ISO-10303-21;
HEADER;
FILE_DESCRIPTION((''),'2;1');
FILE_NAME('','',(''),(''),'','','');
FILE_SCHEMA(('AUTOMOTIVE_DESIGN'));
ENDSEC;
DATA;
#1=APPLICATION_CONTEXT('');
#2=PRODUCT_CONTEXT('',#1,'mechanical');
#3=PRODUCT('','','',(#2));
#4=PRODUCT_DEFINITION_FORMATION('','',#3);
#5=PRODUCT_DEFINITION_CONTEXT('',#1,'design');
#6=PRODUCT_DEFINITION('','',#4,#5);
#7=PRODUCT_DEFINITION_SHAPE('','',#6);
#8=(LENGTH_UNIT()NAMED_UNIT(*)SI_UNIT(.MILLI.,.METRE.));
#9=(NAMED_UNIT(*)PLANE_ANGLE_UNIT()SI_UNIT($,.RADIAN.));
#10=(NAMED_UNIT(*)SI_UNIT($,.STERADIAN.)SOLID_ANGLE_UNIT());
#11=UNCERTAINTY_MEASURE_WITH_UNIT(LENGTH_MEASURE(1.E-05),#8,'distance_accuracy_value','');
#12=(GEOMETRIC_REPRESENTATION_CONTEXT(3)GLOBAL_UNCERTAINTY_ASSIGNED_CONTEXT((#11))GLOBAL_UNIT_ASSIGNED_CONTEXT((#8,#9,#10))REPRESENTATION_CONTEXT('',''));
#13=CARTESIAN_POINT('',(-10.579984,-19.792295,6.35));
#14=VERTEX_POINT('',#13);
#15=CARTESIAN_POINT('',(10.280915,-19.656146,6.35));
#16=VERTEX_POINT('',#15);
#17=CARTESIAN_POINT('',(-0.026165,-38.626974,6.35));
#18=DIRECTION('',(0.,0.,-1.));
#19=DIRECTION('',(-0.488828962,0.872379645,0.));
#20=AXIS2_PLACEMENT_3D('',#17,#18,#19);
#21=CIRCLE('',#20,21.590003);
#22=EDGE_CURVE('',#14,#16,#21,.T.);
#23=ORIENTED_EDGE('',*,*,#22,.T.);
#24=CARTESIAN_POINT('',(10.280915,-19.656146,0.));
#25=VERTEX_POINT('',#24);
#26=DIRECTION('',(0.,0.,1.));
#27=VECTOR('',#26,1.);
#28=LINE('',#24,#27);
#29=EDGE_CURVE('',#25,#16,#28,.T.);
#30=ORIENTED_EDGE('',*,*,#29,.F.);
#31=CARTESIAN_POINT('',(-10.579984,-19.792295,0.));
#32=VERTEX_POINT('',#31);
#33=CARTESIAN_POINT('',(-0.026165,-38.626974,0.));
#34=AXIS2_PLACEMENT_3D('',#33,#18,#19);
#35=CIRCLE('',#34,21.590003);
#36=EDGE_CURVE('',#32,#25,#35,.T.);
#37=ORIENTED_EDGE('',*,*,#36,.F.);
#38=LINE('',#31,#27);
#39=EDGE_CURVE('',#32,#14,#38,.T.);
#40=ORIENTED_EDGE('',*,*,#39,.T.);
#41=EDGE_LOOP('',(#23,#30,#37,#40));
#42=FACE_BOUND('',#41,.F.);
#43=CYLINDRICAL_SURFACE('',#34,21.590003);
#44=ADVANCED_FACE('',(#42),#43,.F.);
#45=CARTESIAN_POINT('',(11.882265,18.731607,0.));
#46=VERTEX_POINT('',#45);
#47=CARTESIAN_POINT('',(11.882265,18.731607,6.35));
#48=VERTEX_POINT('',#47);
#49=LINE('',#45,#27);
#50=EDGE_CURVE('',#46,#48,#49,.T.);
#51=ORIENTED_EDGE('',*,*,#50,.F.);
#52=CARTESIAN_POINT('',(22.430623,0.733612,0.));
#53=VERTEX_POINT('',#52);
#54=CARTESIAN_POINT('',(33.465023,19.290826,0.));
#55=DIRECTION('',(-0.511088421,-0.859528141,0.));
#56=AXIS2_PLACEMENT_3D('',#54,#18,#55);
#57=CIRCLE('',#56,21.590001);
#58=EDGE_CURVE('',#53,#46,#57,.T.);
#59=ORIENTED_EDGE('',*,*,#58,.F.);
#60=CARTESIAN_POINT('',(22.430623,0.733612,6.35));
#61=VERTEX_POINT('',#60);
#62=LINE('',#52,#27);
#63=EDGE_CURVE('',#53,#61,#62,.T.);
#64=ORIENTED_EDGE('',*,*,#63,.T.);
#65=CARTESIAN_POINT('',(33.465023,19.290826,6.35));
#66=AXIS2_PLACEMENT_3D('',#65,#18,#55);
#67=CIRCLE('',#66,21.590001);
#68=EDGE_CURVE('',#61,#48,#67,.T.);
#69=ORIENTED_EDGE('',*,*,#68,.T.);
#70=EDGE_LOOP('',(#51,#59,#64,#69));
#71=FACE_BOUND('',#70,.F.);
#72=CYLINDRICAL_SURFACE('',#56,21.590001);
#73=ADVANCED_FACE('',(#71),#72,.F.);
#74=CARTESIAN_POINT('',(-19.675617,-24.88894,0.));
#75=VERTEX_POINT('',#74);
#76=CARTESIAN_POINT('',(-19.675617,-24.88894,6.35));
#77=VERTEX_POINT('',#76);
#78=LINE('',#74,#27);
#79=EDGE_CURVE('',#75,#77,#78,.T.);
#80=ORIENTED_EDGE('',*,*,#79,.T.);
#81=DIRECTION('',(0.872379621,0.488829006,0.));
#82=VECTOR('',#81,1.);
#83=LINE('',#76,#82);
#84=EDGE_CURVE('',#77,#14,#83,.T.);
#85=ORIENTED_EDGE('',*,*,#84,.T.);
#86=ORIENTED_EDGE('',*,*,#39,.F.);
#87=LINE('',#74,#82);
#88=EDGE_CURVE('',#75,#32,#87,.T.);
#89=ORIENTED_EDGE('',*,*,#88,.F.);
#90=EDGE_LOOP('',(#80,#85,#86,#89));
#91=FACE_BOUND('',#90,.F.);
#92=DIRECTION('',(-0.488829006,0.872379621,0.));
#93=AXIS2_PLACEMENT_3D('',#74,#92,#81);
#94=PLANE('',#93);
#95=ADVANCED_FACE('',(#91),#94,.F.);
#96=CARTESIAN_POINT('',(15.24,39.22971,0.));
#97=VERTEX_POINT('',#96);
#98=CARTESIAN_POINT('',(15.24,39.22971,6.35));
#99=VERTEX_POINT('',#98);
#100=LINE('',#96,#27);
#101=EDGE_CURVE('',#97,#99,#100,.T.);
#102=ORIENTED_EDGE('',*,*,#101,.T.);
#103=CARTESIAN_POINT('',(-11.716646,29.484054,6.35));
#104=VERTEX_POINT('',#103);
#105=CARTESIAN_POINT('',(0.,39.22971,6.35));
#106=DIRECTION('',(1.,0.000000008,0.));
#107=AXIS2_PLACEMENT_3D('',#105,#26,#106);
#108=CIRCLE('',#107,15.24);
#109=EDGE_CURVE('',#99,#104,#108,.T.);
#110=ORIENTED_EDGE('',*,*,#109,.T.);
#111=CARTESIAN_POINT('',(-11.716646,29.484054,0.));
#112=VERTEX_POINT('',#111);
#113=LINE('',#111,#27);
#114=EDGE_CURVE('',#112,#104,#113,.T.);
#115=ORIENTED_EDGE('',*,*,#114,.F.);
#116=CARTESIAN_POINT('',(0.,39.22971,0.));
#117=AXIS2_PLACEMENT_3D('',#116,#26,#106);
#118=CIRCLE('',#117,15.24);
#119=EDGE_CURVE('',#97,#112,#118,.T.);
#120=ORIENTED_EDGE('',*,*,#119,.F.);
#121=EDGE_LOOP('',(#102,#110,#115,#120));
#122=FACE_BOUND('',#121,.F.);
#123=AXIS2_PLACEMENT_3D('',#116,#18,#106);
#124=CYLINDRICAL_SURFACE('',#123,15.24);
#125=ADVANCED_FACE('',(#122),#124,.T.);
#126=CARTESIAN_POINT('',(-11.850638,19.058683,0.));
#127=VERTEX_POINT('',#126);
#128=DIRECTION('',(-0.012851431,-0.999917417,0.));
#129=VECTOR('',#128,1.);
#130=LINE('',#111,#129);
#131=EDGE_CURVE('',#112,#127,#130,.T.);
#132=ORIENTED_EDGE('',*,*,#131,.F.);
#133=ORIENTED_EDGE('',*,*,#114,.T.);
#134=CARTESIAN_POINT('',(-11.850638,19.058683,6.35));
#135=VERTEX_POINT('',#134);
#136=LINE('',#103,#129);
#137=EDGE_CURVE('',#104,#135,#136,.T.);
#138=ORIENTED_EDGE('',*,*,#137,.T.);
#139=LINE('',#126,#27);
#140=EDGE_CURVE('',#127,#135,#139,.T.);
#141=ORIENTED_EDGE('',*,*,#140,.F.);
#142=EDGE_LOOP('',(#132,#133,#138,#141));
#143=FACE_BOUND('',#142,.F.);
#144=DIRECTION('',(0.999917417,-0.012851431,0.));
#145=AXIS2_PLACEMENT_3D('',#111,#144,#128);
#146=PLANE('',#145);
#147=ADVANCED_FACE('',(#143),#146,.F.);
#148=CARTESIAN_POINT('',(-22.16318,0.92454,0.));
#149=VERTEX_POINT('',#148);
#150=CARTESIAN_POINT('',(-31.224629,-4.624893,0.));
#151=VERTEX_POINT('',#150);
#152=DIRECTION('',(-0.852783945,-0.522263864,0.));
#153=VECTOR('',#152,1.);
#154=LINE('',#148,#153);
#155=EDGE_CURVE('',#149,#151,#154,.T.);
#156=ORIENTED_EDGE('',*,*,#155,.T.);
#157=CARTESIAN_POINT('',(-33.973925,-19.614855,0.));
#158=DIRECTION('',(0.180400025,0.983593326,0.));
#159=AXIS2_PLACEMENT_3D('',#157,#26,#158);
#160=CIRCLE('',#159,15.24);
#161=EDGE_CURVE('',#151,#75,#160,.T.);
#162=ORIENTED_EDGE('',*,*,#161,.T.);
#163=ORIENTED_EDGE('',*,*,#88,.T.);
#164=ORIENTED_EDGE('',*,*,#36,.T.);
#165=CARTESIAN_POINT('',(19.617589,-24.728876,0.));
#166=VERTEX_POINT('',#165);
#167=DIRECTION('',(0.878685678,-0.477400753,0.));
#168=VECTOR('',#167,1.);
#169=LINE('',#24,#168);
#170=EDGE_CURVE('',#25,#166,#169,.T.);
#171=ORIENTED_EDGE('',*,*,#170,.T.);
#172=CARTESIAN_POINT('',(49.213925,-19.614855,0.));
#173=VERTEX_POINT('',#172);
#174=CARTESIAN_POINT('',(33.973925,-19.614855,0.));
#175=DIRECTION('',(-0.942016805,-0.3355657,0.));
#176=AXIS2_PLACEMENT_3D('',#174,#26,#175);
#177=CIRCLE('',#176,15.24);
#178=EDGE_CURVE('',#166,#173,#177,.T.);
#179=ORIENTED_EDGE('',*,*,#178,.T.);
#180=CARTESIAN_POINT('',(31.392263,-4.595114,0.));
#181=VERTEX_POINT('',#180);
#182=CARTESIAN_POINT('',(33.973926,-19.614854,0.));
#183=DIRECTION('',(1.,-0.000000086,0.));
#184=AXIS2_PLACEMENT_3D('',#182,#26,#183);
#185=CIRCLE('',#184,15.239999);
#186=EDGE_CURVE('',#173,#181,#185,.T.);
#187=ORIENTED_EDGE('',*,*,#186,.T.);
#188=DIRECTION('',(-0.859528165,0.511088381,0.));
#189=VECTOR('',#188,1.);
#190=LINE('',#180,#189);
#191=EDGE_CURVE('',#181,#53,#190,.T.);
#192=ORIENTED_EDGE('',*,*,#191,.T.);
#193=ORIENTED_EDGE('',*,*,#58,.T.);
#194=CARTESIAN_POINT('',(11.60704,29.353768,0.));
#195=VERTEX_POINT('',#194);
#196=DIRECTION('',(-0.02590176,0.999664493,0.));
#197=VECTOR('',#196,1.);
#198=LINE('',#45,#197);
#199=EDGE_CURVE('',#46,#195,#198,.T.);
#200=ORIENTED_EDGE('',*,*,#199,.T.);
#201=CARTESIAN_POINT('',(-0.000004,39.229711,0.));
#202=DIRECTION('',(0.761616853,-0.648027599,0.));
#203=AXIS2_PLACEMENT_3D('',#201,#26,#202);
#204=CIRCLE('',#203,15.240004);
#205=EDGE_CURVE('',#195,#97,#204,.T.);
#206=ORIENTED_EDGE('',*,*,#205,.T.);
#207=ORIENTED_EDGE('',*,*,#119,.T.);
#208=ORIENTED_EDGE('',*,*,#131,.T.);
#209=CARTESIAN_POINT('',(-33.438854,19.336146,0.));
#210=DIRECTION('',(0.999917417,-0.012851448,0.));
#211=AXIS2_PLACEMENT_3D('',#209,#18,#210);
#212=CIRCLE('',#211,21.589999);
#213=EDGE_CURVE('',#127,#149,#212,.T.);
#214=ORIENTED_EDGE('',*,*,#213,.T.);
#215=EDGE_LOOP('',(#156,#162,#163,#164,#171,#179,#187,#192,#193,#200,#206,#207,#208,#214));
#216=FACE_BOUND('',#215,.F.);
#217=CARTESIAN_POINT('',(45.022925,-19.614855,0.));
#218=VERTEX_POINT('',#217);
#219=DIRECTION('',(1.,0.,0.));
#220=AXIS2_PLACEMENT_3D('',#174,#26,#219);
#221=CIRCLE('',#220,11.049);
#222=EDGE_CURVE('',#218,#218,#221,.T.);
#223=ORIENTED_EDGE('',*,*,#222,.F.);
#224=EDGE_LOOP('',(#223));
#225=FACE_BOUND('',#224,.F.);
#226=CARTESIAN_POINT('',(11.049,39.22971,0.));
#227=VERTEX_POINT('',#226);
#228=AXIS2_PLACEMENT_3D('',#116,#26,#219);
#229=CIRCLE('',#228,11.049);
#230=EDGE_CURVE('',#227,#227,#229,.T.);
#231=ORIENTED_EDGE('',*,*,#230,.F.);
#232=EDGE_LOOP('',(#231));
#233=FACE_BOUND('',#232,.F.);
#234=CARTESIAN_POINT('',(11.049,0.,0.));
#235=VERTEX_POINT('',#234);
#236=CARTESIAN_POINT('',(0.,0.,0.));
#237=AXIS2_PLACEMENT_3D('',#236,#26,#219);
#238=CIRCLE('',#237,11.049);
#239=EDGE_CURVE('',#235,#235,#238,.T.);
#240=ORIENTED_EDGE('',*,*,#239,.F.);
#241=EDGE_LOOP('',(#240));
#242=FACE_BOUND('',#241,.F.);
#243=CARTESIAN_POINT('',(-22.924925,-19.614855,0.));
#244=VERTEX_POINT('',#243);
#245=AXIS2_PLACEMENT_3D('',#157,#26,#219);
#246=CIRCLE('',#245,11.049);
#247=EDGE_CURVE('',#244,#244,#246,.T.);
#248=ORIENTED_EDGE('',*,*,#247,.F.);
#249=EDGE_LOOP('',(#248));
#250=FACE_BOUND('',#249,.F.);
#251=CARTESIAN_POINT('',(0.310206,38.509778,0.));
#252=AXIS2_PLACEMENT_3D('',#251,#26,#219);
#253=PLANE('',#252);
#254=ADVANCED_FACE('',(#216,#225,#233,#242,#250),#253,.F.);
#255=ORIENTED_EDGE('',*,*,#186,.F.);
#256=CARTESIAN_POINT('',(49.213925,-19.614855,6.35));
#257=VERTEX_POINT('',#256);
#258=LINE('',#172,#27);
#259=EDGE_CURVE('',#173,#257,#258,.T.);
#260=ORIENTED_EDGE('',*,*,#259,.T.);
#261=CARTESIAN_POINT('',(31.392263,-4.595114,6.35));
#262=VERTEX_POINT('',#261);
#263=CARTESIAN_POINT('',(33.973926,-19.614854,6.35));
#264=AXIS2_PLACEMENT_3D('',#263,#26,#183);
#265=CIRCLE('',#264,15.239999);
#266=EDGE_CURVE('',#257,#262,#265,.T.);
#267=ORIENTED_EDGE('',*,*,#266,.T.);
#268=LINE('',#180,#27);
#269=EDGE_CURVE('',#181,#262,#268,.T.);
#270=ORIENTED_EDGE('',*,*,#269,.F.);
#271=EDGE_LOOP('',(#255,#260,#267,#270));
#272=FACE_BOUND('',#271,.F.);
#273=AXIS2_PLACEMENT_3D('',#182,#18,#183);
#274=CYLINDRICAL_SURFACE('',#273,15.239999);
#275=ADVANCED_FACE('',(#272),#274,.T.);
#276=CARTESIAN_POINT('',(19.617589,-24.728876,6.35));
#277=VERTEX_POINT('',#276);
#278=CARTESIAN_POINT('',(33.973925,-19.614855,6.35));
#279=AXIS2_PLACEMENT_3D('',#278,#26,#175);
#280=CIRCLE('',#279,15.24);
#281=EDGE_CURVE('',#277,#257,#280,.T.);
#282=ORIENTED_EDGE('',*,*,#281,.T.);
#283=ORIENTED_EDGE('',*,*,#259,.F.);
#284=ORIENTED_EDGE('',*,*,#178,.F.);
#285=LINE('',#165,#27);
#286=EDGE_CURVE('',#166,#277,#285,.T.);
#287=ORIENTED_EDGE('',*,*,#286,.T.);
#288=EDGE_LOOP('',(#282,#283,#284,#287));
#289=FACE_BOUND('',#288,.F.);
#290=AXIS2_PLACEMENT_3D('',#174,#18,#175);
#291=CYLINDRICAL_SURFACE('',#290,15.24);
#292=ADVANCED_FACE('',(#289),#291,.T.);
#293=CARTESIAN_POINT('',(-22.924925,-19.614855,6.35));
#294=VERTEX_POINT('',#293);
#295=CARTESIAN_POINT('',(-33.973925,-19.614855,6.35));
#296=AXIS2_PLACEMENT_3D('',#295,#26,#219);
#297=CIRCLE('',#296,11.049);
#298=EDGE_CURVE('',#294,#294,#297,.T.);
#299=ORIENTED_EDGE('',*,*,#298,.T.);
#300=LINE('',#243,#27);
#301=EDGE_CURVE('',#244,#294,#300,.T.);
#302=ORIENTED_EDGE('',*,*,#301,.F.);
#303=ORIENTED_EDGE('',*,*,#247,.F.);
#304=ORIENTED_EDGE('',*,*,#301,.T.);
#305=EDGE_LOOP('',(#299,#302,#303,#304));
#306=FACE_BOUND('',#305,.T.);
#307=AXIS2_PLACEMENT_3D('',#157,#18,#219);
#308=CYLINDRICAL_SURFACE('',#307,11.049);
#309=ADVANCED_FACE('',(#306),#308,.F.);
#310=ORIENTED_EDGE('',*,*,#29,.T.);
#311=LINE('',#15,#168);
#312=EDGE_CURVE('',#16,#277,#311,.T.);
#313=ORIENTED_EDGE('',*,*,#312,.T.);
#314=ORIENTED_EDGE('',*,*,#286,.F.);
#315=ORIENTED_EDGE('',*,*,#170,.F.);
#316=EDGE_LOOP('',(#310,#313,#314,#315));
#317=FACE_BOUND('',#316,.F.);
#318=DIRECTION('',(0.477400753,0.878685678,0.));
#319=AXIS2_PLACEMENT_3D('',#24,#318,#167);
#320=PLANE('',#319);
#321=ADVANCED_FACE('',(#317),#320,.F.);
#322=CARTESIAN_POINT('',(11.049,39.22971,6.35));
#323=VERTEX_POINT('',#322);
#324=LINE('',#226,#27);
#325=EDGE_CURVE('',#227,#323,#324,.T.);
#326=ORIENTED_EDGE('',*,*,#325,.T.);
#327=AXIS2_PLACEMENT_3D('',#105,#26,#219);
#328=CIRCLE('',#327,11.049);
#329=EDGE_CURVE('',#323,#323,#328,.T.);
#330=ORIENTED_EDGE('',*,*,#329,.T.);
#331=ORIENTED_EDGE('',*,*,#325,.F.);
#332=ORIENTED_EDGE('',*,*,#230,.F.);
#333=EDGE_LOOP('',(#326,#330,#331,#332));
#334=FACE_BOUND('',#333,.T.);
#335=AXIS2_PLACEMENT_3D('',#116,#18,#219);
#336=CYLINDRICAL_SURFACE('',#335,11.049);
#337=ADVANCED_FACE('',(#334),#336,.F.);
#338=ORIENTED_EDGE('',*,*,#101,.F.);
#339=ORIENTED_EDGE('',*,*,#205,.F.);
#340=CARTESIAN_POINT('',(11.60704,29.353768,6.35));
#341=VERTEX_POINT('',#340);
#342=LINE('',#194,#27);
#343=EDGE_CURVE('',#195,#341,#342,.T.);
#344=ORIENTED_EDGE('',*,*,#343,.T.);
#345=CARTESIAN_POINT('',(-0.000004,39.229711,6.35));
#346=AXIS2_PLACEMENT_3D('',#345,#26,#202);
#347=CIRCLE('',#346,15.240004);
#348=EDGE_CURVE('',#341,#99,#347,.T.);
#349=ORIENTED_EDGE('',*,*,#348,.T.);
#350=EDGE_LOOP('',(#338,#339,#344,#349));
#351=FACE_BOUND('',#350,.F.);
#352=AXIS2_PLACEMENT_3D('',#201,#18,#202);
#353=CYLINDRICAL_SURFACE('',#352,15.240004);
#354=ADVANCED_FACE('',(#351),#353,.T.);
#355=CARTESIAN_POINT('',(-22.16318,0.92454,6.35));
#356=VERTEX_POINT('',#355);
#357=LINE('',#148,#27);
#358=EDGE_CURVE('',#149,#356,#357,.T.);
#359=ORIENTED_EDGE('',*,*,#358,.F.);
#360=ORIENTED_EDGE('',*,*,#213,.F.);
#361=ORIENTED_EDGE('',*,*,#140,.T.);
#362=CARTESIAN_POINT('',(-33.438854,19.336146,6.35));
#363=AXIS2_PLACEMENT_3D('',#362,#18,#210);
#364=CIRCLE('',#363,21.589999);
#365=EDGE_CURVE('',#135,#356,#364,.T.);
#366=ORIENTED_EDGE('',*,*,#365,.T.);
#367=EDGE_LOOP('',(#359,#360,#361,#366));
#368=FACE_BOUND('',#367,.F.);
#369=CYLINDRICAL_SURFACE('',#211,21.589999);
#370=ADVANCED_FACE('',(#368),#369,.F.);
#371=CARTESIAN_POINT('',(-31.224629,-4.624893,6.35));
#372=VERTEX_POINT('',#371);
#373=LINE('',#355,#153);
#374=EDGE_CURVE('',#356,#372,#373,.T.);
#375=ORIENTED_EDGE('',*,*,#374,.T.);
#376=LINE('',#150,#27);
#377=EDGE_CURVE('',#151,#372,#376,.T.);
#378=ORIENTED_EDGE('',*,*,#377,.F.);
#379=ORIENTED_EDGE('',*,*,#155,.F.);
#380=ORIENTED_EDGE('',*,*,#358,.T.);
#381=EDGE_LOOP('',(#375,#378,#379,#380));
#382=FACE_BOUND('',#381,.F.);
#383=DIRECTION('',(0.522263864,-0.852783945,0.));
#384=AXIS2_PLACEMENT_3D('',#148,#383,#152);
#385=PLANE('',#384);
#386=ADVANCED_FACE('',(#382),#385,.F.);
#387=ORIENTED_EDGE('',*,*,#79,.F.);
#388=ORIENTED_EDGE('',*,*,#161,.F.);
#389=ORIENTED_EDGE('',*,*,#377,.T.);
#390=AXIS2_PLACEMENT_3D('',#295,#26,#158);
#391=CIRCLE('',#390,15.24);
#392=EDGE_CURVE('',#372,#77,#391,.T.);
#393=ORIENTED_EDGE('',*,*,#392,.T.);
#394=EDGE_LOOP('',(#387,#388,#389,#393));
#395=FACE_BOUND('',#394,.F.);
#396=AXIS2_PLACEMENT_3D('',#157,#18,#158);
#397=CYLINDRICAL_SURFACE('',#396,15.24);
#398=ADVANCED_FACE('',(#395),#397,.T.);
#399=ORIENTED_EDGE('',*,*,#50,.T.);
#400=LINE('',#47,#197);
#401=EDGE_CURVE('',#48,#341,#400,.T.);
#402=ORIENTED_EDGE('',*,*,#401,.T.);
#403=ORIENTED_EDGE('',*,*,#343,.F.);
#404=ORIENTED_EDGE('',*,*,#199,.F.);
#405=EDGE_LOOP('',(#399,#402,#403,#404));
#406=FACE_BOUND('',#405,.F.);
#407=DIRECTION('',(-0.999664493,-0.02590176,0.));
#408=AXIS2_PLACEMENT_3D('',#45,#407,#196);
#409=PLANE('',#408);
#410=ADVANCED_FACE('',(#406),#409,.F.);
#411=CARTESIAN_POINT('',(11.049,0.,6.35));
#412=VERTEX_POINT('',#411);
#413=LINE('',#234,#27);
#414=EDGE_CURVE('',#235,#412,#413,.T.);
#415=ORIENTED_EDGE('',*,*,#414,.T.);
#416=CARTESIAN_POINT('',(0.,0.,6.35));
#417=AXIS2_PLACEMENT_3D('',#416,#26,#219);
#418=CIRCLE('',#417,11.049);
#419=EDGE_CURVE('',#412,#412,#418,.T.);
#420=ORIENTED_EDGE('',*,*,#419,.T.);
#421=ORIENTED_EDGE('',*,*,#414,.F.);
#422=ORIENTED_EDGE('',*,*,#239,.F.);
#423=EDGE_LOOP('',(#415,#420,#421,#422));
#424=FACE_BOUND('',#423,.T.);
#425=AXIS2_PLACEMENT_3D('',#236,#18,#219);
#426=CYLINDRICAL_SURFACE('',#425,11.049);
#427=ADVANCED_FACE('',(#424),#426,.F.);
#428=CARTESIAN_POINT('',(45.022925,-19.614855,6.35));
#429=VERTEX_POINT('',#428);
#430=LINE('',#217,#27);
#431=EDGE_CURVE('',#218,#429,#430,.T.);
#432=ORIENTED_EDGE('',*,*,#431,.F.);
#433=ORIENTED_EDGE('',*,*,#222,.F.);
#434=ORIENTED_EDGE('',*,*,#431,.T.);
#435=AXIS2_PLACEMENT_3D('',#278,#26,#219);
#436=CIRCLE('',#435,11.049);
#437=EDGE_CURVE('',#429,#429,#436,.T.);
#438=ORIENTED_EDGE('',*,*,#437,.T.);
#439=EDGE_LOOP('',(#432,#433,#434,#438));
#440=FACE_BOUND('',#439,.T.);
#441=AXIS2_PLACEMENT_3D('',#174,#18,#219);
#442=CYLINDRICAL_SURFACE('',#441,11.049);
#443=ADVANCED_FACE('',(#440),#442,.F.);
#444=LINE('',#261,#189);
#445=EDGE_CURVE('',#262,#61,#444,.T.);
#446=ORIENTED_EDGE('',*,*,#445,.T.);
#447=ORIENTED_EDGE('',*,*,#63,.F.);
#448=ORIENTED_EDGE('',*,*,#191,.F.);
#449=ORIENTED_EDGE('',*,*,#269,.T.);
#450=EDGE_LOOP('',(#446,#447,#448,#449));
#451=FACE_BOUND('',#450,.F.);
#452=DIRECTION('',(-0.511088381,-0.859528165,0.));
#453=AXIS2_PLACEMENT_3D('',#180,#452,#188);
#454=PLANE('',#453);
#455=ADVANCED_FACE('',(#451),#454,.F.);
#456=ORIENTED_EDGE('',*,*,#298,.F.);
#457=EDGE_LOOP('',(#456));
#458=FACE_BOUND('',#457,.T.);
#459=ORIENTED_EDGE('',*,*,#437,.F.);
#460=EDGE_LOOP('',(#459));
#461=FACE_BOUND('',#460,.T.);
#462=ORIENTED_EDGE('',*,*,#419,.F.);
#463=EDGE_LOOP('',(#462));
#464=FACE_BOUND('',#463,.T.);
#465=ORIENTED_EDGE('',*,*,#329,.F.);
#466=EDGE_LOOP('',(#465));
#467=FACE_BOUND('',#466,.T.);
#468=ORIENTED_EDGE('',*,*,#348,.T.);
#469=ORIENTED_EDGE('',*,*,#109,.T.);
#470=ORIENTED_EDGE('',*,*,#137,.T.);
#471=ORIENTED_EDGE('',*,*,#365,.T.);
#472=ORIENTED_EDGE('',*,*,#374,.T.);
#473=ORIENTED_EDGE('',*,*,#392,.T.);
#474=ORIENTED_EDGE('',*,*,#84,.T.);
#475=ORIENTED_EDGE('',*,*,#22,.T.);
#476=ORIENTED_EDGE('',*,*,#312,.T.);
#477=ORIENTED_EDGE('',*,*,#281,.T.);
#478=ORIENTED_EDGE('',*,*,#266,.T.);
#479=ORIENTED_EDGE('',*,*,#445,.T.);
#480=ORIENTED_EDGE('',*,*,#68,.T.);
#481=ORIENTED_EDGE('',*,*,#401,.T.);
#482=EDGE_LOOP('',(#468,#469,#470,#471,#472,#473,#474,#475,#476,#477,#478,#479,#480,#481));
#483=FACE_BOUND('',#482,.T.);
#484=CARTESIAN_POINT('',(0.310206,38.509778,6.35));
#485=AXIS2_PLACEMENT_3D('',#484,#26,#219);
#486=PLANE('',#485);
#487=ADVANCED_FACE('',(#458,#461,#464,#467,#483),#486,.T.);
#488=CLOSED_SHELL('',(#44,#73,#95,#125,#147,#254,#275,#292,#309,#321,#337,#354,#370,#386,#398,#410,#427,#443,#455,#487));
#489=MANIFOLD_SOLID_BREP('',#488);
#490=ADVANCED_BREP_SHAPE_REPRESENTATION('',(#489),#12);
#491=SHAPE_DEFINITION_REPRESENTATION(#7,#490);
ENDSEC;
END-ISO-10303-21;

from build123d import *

# Parameters (mm, degrees)
F0_R     = 11.049
F0_R_2   = 13.97
F1_DEPTH = 6.35


with BuildPart() as f1:
    # F0 (on Top) → F1 (new body)
    with BuildSketch(Plane.XY):
        with BuildLine():
            ThreePointArc((11.60704, 29.353768), (14.302952, 33.968231), (15.24, 39.22971))
            ThreePointArc((15.24, 39.22971), (-5.181502, 53.561829), (-11.716646, 29.484054))
            ThreePointArc((-11.716646, 29.484054), (-0.085129, 23.989947), (11.60704, 29.353768))
        make_face()
        with Locations((0, 39.22971)):
            Circle(F0_R, mode=Mode.SUBTRACT)
        with BuildLine():
            ThreePointArc((11.60704, 29.353768), (-0.085129, 23.989947), (-11.716646, 29.484054))
            Line((-11.716646, 29.484054), (-11.850638, 19.058683))
            ThreePointArc((-11.850638, 19.058683), (-14.671313, 8.663402), (-22.16318, 0.92454))
            Line((-22.16318, 0.92454), (-31.224629, -4.624893))
            ThreePointArc((-31.224629, -4.624893), (-22.265875, -9.858874), (-18.733925, -19.614855))
            ThreePointArc((-18.733925, -19.614855), (-18.971195, -22.293602), (-19.675617, -24.88894))
            Line((-19.675617, -24.88894), (-10.579984, -19.792295))
            ThreePointArc((-10.579984, -19.792295), (-0.16707, -17.037431), (10.280915, -19.656146))
            Line((10.280915, -19.656146), (19.617589, -24.728876))
            ThreePointArc((19.617589, -24.728876), (20.818468, -11.92125), (31.392263, -4.595114))
            Line((31.392263, -4.595114), (22.430623, 0.733612))
            ThreePointArc((22.430623, 0.733612), (14.838383, 8.374029), (11.882265, 18.731607))
            Line((11.882265, 18.731607), (11.60704, 29.353768))
        make_face()
        Circle(F0_R_2, mode=Mode.SUBTRACT)
        with BuildLine():
            ThreePointArc((-18.733925, -19.614855), (-22.265875, -9.858874), (-31.224629, -4.624893))
            ThreePointArc((-31.224629, -4.624893), (-47.214511, -27.161012), (-19.675617, -24.88894))
            ThreePointArc((-19.675617, -24.88894), (-18.971195, -22.293602), (-18.733925, -19.614855))
        make_face()
        with Locations((-33.973925, -19.614855)):
            Circle(F0_R, mode=Mode.SUBTRACT)
        with BuildLine():
            ThreePointArc((49.213925, -19.614855), (43.795154, -7.961483), (31.392263, -4.595114))
            ThreePointArc((31.392263, -4.595114), (20.818468, -11.92125), (19.617589, -24.728876))
            ThreePointArc((19.617589, -24.728876), (36.568827, -34.632314), (49.213925, -19.614855))
        make_face()
        with Locations((33.973925, -19.614855)):
            Circle(F0_R, mode=Mode.SUBTRACT)
        Circle(F0_R_2)
        Circle(F0_R, mode=Mode.SUBTRACT)
    extrude(amount=F1_DEPTH)


solid = f1.part
